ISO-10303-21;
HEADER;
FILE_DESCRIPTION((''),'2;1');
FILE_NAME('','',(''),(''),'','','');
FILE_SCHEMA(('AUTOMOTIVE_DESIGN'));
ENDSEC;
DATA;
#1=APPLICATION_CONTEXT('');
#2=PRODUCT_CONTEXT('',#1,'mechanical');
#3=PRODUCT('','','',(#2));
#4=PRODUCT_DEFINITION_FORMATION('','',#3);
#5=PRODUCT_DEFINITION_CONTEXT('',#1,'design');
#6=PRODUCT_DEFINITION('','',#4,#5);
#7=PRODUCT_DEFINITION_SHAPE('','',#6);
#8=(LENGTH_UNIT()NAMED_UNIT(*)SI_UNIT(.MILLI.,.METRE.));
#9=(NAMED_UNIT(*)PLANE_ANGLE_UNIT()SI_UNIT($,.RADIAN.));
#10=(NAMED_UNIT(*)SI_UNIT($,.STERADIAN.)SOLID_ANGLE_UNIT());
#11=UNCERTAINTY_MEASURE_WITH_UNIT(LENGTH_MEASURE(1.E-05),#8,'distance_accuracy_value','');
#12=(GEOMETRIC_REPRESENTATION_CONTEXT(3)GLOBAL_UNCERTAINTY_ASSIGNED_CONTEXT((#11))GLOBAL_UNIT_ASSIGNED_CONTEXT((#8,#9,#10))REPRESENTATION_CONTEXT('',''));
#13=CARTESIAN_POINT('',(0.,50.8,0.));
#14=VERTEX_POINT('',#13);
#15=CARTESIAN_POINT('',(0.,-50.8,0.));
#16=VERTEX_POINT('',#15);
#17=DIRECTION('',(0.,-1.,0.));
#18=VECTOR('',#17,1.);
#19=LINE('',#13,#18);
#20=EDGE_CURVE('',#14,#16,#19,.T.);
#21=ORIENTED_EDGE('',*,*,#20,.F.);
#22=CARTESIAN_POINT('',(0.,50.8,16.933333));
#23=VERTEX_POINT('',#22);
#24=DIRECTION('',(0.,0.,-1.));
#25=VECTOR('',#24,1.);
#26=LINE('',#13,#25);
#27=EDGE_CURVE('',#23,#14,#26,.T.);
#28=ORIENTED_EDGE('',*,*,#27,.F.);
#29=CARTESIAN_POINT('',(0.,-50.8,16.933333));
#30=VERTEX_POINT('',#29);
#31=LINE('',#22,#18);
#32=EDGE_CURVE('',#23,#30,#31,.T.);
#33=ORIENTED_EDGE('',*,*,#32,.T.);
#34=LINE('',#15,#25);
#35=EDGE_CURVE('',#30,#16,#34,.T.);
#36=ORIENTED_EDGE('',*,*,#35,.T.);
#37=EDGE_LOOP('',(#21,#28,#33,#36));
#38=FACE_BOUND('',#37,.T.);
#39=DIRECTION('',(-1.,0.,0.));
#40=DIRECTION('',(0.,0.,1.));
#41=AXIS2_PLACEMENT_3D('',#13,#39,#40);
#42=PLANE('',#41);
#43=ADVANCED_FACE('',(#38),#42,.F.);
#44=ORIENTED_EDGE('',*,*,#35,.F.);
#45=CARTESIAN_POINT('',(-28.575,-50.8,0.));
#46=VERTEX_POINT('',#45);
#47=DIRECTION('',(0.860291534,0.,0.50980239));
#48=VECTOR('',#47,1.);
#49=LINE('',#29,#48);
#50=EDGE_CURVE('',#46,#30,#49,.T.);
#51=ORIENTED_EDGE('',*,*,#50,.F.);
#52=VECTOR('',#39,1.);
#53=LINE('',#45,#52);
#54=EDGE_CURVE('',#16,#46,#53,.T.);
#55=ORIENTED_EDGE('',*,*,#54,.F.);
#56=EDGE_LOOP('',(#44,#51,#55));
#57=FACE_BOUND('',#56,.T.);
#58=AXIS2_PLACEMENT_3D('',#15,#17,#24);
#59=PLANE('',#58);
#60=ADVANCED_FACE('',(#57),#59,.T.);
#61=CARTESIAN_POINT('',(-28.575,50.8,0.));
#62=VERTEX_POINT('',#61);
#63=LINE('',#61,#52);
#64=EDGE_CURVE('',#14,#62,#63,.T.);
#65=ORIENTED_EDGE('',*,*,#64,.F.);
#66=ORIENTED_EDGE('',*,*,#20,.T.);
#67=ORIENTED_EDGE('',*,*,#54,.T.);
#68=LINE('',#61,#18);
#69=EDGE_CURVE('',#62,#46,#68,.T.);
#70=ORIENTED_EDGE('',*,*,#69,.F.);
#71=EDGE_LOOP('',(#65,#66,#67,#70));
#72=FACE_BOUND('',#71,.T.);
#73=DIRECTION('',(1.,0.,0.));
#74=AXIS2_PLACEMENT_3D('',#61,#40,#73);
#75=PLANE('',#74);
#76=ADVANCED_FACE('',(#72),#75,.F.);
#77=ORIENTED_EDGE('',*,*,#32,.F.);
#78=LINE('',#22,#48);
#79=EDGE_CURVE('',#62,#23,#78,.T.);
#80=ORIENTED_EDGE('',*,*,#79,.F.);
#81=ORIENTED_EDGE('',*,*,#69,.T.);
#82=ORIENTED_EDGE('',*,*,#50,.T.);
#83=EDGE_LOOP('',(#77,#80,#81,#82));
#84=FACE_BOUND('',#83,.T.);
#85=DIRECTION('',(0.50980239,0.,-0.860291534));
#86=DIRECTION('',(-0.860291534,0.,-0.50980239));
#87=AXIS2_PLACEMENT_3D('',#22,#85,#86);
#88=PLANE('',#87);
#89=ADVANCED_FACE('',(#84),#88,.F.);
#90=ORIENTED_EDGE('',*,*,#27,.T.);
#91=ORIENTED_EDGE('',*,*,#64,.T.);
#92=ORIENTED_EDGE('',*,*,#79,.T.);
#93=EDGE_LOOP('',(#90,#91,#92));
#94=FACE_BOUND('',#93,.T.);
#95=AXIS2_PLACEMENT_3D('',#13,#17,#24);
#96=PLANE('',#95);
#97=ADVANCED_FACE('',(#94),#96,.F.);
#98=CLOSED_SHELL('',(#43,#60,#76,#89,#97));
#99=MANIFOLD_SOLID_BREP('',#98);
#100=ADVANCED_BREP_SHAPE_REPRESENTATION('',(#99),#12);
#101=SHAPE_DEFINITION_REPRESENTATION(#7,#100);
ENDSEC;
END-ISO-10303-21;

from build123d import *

# Parameters (mm, degrees)
BOSS_EXTRUDE1_DEPTH = 50.8


with BuildPart() as part:
    # Sketch1 → Boss-Extrude1 (new, symmetric)
    with BuildSketch(Plane(origin=(0, 0, 0), x_dir=(1, 0, 0), z_dir=(0, 1, 0))):
        Polygon((0, 0), (0, -16.933333333), (-28.575, 0), align=None)
    extrude(amount=BOSS_EXTRUDE1_DEPTH, both=True)


solid = part.part
